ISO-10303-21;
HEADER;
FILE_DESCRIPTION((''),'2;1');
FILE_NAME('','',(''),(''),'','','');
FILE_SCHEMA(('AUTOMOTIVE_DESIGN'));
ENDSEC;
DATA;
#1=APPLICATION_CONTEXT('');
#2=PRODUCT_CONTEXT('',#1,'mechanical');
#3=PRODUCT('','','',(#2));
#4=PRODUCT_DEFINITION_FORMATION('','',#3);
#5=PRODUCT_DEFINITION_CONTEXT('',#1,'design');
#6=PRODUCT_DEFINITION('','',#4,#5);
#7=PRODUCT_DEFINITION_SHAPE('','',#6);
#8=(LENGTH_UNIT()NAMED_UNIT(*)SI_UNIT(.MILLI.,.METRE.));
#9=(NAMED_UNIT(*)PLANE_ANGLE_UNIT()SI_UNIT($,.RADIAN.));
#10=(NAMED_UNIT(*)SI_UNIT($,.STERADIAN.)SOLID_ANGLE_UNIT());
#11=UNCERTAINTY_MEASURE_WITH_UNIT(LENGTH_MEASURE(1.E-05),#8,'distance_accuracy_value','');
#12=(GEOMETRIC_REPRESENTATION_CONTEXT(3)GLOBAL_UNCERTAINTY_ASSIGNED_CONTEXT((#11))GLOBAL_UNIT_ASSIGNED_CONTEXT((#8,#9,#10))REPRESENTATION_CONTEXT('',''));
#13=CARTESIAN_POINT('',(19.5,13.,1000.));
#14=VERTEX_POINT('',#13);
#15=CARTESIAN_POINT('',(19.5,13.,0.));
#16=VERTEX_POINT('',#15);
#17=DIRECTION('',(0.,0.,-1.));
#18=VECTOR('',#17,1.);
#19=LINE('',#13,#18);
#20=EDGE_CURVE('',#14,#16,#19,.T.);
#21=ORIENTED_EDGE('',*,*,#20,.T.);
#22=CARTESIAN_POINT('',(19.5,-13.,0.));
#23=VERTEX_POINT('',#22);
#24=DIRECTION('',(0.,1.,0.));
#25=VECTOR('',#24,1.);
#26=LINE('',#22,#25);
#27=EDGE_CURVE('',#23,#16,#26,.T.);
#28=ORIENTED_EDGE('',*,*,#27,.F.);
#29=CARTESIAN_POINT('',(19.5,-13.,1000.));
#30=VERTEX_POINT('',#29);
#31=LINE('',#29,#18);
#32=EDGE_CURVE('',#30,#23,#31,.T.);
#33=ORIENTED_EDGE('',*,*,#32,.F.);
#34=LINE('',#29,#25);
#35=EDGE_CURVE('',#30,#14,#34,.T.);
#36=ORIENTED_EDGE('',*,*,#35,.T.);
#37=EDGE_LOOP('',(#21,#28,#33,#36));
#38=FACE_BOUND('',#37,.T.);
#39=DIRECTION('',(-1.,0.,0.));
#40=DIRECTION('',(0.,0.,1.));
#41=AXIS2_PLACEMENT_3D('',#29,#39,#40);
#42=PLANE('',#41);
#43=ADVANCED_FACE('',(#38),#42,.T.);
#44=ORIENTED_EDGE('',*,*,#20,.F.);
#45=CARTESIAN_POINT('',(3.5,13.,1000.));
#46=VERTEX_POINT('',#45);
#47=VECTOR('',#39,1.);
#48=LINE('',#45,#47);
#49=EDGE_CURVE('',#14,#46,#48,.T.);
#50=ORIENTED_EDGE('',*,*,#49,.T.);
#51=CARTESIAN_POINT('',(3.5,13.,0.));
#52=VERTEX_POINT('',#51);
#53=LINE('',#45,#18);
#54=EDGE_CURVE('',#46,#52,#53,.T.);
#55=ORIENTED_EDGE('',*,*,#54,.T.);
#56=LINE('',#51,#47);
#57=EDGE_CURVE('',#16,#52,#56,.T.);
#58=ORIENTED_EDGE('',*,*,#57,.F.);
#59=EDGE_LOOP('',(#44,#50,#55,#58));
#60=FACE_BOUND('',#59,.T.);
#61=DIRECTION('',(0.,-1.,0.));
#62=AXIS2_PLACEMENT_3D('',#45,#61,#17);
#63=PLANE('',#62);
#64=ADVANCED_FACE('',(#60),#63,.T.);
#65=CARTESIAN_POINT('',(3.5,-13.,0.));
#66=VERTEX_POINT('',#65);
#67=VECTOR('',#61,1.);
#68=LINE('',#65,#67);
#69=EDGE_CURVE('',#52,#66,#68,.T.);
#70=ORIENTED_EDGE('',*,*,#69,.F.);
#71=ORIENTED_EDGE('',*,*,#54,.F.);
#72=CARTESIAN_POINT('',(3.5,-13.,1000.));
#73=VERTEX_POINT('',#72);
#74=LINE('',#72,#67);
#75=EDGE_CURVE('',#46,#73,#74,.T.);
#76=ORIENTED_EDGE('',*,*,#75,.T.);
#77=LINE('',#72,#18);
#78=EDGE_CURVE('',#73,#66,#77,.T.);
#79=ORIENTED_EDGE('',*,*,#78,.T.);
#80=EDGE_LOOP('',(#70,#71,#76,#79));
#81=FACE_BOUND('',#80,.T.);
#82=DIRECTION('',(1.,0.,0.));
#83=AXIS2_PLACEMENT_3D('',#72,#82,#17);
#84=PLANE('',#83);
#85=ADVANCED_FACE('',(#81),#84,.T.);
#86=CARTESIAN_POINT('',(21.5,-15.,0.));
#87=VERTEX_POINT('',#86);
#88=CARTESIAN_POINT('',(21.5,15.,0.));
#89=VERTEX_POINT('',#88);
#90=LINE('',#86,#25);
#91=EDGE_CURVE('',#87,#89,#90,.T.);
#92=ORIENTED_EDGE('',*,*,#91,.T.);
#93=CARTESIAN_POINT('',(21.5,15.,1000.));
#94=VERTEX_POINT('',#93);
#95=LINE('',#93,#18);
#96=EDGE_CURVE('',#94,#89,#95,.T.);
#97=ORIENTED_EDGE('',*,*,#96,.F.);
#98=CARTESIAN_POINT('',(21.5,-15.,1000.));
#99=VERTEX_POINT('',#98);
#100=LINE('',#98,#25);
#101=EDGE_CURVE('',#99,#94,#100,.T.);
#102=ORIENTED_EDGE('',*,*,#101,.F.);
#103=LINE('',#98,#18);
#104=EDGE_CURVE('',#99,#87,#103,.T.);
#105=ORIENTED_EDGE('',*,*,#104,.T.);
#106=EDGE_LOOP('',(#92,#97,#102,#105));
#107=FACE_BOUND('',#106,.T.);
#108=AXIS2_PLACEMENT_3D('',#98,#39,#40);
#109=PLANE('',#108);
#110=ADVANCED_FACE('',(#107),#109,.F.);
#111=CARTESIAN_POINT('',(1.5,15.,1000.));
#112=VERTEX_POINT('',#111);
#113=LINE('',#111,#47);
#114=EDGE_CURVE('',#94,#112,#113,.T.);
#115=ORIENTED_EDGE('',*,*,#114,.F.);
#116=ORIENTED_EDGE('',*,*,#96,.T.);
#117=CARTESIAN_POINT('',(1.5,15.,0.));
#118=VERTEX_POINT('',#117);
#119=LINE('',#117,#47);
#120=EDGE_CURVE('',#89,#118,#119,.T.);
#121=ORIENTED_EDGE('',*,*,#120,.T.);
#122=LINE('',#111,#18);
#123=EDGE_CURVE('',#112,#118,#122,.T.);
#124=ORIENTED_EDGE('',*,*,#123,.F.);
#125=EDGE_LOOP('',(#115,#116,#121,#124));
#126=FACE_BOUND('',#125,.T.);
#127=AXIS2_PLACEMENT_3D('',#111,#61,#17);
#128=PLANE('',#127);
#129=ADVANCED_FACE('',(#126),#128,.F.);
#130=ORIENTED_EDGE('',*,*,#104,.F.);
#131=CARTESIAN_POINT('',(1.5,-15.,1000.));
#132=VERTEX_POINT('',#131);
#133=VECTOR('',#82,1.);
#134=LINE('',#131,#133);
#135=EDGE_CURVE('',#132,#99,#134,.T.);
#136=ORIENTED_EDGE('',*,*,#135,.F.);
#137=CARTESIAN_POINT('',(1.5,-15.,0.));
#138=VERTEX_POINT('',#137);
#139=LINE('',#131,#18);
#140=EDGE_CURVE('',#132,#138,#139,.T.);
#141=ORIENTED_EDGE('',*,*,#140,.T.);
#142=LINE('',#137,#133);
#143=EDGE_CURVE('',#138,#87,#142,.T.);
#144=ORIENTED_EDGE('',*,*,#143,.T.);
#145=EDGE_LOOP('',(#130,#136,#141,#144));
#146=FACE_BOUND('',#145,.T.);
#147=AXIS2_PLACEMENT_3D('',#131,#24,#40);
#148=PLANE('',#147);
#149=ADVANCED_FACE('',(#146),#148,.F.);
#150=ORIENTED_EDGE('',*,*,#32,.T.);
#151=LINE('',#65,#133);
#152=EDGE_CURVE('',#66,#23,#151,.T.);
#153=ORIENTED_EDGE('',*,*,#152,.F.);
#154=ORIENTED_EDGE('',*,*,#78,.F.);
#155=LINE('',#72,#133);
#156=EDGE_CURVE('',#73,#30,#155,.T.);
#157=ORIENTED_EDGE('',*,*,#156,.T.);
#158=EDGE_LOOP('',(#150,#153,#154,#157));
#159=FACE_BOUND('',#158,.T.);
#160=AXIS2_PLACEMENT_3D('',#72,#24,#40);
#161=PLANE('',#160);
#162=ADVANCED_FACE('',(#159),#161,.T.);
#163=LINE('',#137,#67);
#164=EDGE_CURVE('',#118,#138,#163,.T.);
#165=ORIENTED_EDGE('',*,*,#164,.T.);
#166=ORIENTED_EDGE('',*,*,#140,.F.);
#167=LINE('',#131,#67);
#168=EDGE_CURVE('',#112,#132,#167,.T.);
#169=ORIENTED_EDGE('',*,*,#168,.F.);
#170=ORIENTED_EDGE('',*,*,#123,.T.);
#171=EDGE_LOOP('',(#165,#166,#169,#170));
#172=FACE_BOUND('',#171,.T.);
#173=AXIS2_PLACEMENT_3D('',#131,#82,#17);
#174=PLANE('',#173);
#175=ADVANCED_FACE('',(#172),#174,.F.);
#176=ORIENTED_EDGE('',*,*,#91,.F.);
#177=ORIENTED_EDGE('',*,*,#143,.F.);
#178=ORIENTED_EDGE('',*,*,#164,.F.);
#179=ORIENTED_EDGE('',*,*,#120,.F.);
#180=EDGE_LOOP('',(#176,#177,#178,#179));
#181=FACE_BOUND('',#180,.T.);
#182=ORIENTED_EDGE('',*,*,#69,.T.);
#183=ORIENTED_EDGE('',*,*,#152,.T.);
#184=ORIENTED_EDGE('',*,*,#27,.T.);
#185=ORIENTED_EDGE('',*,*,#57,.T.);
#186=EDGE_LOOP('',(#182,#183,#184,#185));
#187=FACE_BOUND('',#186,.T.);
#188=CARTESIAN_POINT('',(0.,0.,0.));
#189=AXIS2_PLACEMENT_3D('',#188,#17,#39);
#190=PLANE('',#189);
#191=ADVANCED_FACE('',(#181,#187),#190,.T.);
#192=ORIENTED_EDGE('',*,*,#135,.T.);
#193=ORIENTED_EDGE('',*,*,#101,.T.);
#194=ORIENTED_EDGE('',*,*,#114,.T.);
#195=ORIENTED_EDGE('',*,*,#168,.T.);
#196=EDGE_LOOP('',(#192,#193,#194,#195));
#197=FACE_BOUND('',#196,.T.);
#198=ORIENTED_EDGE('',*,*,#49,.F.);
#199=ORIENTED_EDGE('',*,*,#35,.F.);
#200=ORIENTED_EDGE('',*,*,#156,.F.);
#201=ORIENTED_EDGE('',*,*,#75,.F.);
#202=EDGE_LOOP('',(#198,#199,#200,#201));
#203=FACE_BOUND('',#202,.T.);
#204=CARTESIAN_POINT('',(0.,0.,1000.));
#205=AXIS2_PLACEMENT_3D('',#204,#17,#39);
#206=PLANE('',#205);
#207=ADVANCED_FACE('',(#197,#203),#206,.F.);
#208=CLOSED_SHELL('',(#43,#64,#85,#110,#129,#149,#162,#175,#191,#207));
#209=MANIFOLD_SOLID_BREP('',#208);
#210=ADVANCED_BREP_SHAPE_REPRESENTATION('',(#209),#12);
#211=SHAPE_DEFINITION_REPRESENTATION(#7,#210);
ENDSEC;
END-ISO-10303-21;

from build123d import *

# Parameters (mm, degrees)
SKETCH1_W           = 20
SKETCH1_H           = 30
SKETCH1_W_2         = 16
SKETCH1_H_2         = 26
BOSS_EXTRUDE1_DEPTH = 1000


with BuildPart() as part:
    # Sketch1 → Boss-Extrude1 (new body)
    with BuildSketch(Plane.XY):
        with Locations((11.5, 0)):
            Rectangle(SKETCH1_W, SKETCH1_H)
        with Locations((11.5, 0)):
            Rectangle(SKETCH1_W_2, SKETCH1_H_2, mode=Mode.SUBTRACT)
    extrude(amount=BOSS_EXTRUDE1_DEPTH)


solid = part.part
